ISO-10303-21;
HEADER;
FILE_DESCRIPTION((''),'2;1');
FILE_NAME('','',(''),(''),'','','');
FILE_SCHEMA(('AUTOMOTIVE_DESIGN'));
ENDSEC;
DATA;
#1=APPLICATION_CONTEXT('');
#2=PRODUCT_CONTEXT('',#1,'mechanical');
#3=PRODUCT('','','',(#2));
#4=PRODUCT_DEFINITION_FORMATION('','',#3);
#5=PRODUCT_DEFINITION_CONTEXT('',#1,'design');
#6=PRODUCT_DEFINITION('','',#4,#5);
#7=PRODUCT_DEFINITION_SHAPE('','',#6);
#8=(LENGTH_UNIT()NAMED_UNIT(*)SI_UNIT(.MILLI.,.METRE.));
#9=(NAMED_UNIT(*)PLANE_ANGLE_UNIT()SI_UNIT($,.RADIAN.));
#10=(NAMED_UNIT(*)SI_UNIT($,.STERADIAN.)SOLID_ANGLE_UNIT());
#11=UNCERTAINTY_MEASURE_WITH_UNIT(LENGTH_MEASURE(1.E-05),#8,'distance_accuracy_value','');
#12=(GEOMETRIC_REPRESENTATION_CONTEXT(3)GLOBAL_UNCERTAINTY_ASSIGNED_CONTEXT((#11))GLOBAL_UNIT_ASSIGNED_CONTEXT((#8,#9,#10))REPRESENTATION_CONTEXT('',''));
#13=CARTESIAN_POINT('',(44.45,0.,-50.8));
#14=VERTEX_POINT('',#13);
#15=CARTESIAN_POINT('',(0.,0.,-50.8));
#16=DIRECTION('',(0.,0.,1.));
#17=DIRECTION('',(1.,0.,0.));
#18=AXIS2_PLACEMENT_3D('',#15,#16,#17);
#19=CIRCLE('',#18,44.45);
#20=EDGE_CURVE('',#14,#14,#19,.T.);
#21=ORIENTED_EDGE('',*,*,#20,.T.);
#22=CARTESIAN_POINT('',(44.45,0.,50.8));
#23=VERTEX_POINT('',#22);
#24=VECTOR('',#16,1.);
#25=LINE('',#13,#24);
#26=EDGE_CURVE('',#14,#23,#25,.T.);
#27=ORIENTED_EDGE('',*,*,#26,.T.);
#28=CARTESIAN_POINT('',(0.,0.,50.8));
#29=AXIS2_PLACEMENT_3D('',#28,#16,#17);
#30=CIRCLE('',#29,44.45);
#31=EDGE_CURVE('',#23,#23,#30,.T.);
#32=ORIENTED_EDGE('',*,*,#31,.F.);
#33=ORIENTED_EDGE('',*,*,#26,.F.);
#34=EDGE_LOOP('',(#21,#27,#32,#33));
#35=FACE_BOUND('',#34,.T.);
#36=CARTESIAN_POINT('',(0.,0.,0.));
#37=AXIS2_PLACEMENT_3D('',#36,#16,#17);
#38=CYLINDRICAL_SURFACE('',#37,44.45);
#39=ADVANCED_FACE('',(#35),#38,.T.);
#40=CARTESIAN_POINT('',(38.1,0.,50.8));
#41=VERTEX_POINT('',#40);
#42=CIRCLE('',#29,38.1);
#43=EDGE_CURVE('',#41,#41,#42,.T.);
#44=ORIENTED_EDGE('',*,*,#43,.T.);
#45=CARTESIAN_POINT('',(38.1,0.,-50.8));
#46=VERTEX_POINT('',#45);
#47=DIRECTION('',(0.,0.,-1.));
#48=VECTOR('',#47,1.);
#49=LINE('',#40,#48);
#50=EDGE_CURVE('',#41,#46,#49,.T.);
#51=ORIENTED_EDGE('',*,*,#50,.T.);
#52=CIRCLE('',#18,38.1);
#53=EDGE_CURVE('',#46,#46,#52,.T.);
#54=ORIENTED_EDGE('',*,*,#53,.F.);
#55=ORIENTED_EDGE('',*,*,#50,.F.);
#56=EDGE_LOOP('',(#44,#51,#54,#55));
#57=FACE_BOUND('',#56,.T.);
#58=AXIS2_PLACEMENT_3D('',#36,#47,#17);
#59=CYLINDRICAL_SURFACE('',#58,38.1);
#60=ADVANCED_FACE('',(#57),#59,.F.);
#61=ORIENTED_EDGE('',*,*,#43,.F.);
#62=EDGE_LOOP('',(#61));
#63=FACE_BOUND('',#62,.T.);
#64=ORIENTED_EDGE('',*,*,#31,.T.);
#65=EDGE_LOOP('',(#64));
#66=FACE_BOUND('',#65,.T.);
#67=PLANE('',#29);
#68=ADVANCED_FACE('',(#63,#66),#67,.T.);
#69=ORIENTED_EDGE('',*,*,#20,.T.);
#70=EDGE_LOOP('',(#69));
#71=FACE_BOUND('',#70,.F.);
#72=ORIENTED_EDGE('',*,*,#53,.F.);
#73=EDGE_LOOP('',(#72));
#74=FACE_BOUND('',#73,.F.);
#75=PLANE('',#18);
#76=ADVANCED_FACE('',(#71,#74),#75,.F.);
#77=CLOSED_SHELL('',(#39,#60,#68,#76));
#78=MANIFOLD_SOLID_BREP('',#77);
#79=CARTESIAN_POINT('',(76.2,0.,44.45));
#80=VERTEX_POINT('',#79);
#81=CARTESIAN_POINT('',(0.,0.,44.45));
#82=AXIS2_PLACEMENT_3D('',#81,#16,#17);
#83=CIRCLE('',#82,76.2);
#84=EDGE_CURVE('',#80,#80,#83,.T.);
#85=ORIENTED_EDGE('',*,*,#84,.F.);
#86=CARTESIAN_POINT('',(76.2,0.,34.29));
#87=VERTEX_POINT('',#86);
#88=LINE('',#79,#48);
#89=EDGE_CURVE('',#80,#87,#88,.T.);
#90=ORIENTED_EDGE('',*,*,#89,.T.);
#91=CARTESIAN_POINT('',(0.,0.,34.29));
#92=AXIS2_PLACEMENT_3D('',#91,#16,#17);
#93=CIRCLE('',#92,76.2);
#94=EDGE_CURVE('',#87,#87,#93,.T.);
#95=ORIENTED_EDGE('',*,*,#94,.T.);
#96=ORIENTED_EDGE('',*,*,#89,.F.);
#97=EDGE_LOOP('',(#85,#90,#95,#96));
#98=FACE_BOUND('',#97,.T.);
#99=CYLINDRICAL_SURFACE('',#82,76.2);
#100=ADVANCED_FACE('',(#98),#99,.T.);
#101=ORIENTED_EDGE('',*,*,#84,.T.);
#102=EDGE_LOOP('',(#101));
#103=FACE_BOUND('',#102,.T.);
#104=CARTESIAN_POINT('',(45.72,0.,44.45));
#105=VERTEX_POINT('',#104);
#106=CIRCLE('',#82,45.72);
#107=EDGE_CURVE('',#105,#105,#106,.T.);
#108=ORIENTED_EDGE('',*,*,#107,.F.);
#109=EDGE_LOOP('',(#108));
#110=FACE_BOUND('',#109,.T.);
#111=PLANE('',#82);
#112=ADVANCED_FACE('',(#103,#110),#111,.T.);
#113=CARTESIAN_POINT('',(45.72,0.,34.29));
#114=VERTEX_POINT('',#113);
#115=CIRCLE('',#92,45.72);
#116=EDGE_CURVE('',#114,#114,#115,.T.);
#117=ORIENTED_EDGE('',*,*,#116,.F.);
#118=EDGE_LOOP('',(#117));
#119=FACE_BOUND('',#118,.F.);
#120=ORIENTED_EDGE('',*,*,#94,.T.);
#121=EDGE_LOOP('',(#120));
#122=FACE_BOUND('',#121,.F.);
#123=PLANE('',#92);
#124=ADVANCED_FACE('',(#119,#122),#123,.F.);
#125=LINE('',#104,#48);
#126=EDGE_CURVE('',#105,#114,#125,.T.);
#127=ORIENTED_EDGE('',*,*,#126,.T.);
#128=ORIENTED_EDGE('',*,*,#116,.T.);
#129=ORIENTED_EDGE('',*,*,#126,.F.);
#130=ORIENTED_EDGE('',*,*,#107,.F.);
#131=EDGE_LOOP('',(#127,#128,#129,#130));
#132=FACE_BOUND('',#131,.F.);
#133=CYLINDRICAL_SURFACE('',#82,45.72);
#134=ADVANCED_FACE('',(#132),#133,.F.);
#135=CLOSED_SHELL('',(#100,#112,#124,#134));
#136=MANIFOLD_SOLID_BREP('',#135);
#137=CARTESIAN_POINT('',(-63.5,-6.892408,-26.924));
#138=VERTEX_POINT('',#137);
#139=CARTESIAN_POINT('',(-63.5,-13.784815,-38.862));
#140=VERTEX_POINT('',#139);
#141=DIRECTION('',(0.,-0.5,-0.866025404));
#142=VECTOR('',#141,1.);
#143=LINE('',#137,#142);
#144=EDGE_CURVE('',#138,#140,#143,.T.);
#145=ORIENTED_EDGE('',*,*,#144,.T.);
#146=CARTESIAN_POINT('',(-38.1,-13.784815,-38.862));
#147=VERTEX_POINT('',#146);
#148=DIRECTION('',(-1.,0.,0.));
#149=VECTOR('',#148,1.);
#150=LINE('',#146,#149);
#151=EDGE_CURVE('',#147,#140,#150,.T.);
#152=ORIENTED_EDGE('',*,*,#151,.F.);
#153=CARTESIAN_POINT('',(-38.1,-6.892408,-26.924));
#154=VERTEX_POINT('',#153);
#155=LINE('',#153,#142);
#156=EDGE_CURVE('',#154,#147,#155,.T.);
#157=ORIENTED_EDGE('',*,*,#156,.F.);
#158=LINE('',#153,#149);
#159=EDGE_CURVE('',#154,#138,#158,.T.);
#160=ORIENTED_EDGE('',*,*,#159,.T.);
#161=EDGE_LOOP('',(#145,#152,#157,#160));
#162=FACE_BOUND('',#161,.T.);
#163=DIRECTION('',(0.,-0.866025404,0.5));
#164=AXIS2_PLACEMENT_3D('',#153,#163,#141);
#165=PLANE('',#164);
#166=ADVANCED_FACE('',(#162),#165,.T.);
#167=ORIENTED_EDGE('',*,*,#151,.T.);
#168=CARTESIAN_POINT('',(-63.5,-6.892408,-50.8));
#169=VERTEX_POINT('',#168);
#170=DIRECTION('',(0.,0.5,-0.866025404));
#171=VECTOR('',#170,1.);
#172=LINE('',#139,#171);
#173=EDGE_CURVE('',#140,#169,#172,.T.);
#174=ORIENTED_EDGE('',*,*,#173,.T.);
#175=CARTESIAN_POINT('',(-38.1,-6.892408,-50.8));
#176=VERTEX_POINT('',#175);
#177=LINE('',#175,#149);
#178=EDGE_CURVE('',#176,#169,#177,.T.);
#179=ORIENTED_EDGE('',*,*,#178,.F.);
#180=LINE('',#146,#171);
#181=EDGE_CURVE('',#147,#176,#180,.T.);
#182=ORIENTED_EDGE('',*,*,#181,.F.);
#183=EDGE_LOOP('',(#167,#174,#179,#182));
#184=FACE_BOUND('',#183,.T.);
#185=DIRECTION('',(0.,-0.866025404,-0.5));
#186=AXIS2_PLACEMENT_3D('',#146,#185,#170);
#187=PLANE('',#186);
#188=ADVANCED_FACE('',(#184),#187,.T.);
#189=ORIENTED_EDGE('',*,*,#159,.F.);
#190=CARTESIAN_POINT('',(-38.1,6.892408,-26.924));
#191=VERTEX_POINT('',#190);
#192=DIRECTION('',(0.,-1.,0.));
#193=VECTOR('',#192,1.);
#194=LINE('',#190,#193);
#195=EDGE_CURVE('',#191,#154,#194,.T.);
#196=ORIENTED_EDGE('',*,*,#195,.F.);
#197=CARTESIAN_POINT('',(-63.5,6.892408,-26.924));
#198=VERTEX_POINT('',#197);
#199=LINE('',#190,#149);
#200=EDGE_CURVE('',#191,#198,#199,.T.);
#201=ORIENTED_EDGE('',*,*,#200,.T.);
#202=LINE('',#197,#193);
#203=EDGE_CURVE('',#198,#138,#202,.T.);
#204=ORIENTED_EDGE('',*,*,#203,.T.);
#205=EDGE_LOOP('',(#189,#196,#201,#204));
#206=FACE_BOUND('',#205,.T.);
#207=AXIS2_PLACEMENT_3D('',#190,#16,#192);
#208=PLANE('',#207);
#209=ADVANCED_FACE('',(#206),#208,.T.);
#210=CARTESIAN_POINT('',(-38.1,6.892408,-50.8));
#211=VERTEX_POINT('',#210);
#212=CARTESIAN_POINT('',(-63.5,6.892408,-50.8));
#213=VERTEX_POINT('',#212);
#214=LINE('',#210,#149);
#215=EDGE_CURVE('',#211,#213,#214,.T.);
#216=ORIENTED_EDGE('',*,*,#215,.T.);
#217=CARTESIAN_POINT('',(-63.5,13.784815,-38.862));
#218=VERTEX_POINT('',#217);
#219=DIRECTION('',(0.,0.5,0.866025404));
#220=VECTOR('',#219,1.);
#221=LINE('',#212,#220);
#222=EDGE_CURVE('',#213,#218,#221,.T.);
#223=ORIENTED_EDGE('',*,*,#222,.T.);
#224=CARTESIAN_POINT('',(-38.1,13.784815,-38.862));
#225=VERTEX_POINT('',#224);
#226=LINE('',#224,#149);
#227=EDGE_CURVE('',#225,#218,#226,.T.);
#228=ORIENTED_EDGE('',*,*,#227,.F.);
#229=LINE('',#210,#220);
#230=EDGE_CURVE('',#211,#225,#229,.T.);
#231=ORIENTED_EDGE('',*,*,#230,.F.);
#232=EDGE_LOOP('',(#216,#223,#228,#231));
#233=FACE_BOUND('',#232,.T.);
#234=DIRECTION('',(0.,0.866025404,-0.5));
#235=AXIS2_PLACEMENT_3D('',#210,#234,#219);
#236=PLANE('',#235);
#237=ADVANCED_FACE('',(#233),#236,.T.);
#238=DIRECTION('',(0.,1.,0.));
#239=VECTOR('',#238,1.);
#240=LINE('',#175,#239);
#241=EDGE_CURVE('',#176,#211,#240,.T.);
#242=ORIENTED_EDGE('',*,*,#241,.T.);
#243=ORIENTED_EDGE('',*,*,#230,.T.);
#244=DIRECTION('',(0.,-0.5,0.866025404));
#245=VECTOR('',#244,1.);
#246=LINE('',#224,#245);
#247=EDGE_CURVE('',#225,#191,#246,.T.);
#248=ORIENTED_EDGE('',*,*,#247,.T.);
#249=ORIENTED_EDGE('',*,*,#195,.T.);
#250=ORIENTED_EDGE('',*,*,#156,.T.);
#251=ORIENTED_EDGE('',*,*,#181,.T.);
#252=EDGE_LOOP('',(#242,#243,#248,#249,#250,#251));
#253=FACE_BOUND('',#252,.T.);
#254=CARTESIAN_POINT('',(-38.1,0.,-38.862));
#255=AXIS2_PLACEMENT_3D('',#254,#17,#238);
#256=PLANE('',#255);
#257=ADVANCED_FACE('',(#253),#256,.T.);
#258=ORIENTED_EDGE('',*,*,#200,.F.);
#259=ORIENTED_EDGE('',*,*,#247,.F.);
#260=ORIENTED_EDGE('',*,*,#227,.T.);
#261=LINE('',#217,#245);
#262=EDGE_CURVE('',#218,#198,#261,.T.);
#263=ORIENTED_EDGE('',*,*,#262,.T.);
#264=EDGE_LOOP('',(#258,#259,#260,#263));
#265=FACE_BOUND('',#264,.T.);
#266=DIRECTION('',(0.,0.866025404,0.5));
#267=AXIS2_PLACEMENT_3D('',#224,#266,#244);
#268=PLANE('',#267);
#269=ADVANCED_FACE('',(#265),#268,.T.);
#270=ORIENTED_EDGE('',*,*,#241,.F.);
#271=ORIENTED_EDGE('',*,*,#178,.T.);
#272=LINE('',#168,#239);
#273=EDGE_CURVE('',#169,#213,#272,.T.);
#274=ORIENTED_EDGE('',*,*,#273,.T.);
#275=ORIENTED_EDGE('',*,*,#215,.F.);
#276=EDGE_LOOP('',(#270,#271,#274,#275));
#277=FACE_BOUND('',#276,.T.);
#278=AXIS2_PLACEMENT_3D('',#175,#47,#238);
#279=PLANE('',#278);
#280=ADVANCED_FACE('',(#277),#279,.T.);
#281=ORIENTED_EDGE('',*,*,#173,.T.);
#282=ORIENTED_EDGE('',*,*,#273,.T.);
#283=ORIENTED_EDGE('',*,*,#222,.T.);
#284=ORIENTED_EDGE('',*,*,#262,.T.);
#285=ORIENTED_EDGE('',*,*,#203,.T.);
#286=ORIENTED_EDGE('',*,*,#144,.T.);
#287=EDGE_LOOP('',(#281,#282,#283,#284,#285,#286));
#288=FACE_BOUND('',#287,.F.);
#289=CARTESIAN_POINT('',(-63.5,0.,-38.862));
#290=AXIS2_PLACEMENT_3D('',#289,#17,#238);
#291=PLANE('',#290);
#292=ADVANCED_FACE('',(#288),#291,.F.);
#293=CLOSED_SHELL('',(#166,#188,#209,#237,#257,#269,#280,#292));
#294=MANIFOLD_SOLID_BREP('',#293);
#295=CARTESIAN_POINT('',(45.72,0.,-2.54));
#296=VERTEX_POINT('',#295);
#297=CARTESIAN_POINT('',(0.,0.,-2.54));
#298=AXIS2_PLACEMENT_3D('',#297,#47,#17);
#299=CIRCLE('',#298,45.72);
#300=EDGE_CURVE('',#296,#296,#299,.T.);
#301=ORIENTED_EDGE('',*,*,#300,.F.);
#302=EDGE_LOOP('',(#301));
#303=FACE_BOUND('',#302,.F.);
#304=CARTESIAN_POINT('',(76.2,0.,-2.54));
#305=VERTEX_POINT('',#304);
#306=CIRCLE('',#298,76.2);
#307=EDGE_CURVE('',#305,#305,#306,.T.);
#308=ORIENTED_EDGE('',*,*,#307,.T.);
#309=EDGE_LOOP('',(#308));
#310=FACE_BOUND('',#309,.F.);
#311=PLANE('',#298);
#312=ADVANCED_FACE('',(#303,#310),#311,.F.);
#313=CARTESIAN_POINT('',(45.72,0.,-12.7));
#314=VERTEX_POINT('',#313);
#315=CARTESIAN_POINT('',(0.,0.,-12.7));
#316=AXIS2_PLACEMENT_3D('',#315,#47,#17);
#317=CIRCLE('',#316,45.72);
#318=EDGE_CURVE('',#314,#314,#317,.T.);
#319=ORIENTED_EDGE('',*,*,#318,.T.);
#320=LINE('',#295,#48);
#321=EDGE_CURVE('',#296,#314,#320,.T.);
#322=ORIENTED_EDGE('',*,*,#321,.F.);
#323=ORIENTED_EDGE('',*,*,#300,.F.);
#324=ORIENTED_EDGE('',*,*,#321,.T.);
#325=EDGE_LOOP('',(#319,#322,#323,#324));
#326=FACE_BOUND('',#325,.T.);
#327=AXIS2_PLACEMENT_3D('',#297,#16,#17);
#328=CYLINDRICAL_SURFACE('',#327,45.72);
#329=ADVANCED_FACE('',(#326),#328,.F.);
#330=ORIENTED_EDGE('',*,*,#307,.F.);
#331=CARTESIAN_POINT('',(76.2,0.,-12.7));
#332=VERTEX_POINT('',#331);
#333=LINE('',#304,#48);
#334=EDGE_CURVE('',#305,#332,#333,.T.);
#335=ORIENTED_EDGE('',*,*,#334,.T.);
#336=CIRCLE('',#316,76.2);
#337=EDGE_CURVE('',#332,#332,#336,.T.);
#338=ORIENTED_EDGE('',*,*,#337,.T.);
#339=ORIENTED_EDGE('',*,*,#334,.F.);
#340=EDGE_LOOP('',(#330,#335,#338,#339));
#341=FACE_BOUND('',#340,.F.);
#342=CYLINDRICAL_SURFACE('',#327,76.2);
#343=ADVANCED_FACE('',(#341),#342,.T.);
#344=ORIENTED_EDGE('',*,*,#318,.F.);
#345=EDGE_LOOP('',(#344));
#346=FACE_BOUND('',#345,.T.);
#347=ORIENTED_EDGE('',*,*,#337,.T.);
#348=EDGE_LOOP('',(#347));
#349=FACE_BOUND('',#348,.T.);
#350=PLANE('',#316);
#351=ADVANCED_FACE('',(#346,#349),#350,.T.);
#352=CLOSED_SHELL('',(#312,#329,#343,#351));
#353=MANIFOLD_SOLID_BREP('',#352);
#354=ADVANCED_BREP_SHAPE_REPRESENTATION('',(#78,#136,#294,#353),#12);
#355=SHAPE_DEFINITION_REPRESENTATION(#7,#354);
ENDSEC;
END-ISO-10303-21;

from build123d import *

# Parameters (mm, degrees)
F0_R     = 44.45
F0_R_2   = 38.1
F1_DEPTH = 50.8
F3_R     = 76.2
F3_R_2   = 45.72
F4_DEPTH = 10.16
F6_R     = 76.2
F6_R_2   = 45.72
F7_DEPTH = 10.16
F9_START = -38.1
F9_DEPTH = 25.4


with BuildPart() as f1:
    # F0 (on Top) → F1 (new body, symmetric)
    with BuildSketch(Plane.XY):
        Circle(F0_R)
        Circle(F0_R_2, mode=Mode.SUBTRACT)
    extrude(amount=F1_DEPTH, both=True)


with BuildPart() as f4:
    # F3 (on offset) → F4 (new body)
    with BuildSketch(Plane.XY.offset(44.45)):
        Circle(F3_R)
        Circle(F3_R_2, mode=Mode.SUBTRACT)
    extrude(amount=-F4_DEPTH)


with BuildPart() as f7:
    # F6 (on offset) → F7 (new body)
    with BuildSketch(Plane(origin=(0, 0, -2.54), x_dir=(1, 0, 0), z_dir=(0, 0, -1))):
        Circle(F6_R)
        Circle(F6_R_2, mode=Mode.SUBTRACT)
    extrude(amount=F7_DEPTH)


with BuildPart() as f9:
    # F8 (on Right) → F9 (new body)
    with BuildSketch(Plane.YZ.offset(F9_START)):
        Polygon((-6.8924075136, -50.8), (6.8924075136, -50.8), (13.7848150272, -38.862), (6.8924075136, -26.924), (-6.8924075136, -26.924), (-13.7848150272, -38.862), align=None)
    extrude(amount=-F9_DEPTH)


solid = Compound([f1.part, f4.part, f7.part, f9.part])
